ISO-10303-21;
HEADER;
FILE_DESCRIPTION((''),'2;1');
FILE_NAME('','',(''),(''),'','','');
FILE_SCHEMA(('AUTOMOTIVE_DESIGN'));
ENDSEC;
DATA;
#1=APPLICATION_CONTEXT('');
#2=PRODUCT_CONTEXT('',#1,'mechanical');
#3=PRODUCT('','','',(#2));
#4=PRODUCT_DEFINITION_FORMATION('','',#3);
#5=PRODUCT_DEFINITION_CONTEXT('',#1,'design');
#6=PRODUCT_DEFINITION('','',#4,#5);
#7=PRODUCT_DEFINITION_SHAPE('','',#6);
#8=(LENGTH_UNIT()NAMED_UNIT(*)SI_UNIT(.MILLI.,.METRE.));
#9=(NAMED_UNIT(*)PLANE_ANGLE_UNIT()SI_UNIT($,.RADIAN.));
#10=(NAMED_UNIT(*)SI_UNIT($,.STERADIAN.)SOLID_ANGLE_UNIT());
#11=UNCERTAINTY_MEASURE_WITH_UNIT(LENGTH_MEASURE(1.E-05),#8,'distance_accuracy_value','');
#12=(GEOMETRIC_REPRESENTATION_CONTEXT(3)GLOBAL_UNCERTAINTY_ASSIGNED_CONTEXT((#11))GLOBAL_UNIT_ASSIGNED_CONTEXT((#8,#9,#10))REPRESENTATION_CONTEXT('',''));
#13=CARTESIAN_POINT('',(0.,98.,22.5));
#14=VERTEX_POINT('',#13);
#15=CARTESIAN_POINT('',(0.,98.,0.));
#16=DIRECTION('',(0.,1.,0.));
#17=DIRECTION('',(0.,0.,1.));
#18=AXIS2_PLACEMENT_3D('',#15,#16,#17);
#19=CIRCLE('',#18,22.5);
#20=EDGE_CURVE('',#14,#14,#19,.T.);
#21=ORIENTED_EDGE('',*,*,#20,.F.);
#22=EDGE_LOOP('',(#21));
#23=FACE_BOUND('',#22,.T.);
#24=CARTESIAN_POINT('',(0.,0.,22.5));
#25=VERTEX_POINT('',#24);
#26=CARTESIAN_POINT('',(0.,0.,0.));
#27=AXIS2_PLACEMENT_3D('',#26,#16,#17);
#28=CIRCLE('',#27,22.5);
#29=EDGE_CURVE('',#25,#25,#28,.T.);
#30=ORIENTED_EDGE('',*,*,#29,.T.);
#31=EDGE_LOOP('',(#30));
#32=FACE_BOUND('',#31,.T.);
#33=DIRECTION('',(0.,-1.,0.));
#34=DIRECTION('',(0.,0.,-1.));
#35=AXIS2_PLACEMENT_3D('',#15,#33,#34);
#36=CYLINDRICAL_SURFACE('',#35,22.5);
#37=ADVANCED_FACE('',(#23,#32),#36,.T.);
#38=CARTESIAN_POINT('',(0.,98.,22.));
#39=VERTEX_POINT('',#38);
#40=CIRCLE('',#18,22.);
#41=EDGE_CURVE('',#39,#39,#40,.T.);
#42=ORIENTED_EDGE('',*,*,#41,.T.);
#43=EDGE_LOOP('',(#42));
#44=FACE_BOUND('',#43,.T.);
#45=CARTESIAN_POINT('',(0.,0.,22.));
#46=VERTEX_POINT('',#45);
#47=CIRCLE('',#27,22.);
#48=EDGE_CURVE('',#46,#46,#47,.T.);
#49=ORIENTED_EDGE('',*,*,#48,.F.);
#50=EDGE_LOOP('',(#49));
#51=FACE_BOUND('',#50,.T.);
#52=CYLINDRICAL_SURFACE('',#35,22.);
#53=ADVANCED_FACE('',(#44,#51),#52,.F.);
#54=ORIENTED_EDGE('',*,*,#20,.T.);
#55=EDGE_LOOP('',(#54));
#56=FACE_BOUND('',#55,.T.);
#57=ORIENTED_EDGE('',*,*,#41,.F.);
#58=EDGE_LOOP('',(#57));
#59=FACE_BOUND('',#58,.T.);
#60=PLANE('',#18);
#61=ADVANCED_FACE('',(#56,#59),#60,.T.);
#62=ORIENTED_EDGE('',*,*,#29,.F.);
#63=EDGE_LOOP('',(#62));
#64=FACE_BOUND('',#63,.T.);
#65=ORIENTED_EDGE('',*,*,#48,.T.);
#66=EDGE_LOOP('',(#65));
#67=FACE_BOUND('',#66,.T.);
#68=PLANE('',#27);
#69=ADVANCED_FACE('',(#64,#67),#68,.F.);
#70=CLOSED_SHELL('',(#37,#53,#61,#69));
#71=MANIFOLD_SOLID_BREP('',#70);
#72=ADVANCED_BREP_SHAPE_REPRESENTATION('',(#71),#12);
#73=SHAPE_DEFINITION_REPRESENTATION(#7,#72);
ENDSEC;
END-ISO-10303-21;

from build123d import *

# Parameters (mm, degrees)
SKETCH1_R        = 22.5
SKETCH1_R_2      = 22
EXTRUSION1_DEPTH = 98


with BuildPart() as part:
    # Sketch1 → Extrusion1 (new body)
    with BuildSketch(Plane(origin=(0, 0, 0), x_dir=(-1, 0, 0), z_dir=(0, 1, 0))):
        with Locations(Location((0, 0, 0), (0, 0, 90))):
            Circle(SKETCH1_R)
        with Locations(Location((0, 0, 0), (0, 0, 90))):
            Circle(SKETCH1_R_2, mode=Mode.SUBTRACT)
    extrude(amount=EXTRUSION1_DEPTH)


solid = part.part
